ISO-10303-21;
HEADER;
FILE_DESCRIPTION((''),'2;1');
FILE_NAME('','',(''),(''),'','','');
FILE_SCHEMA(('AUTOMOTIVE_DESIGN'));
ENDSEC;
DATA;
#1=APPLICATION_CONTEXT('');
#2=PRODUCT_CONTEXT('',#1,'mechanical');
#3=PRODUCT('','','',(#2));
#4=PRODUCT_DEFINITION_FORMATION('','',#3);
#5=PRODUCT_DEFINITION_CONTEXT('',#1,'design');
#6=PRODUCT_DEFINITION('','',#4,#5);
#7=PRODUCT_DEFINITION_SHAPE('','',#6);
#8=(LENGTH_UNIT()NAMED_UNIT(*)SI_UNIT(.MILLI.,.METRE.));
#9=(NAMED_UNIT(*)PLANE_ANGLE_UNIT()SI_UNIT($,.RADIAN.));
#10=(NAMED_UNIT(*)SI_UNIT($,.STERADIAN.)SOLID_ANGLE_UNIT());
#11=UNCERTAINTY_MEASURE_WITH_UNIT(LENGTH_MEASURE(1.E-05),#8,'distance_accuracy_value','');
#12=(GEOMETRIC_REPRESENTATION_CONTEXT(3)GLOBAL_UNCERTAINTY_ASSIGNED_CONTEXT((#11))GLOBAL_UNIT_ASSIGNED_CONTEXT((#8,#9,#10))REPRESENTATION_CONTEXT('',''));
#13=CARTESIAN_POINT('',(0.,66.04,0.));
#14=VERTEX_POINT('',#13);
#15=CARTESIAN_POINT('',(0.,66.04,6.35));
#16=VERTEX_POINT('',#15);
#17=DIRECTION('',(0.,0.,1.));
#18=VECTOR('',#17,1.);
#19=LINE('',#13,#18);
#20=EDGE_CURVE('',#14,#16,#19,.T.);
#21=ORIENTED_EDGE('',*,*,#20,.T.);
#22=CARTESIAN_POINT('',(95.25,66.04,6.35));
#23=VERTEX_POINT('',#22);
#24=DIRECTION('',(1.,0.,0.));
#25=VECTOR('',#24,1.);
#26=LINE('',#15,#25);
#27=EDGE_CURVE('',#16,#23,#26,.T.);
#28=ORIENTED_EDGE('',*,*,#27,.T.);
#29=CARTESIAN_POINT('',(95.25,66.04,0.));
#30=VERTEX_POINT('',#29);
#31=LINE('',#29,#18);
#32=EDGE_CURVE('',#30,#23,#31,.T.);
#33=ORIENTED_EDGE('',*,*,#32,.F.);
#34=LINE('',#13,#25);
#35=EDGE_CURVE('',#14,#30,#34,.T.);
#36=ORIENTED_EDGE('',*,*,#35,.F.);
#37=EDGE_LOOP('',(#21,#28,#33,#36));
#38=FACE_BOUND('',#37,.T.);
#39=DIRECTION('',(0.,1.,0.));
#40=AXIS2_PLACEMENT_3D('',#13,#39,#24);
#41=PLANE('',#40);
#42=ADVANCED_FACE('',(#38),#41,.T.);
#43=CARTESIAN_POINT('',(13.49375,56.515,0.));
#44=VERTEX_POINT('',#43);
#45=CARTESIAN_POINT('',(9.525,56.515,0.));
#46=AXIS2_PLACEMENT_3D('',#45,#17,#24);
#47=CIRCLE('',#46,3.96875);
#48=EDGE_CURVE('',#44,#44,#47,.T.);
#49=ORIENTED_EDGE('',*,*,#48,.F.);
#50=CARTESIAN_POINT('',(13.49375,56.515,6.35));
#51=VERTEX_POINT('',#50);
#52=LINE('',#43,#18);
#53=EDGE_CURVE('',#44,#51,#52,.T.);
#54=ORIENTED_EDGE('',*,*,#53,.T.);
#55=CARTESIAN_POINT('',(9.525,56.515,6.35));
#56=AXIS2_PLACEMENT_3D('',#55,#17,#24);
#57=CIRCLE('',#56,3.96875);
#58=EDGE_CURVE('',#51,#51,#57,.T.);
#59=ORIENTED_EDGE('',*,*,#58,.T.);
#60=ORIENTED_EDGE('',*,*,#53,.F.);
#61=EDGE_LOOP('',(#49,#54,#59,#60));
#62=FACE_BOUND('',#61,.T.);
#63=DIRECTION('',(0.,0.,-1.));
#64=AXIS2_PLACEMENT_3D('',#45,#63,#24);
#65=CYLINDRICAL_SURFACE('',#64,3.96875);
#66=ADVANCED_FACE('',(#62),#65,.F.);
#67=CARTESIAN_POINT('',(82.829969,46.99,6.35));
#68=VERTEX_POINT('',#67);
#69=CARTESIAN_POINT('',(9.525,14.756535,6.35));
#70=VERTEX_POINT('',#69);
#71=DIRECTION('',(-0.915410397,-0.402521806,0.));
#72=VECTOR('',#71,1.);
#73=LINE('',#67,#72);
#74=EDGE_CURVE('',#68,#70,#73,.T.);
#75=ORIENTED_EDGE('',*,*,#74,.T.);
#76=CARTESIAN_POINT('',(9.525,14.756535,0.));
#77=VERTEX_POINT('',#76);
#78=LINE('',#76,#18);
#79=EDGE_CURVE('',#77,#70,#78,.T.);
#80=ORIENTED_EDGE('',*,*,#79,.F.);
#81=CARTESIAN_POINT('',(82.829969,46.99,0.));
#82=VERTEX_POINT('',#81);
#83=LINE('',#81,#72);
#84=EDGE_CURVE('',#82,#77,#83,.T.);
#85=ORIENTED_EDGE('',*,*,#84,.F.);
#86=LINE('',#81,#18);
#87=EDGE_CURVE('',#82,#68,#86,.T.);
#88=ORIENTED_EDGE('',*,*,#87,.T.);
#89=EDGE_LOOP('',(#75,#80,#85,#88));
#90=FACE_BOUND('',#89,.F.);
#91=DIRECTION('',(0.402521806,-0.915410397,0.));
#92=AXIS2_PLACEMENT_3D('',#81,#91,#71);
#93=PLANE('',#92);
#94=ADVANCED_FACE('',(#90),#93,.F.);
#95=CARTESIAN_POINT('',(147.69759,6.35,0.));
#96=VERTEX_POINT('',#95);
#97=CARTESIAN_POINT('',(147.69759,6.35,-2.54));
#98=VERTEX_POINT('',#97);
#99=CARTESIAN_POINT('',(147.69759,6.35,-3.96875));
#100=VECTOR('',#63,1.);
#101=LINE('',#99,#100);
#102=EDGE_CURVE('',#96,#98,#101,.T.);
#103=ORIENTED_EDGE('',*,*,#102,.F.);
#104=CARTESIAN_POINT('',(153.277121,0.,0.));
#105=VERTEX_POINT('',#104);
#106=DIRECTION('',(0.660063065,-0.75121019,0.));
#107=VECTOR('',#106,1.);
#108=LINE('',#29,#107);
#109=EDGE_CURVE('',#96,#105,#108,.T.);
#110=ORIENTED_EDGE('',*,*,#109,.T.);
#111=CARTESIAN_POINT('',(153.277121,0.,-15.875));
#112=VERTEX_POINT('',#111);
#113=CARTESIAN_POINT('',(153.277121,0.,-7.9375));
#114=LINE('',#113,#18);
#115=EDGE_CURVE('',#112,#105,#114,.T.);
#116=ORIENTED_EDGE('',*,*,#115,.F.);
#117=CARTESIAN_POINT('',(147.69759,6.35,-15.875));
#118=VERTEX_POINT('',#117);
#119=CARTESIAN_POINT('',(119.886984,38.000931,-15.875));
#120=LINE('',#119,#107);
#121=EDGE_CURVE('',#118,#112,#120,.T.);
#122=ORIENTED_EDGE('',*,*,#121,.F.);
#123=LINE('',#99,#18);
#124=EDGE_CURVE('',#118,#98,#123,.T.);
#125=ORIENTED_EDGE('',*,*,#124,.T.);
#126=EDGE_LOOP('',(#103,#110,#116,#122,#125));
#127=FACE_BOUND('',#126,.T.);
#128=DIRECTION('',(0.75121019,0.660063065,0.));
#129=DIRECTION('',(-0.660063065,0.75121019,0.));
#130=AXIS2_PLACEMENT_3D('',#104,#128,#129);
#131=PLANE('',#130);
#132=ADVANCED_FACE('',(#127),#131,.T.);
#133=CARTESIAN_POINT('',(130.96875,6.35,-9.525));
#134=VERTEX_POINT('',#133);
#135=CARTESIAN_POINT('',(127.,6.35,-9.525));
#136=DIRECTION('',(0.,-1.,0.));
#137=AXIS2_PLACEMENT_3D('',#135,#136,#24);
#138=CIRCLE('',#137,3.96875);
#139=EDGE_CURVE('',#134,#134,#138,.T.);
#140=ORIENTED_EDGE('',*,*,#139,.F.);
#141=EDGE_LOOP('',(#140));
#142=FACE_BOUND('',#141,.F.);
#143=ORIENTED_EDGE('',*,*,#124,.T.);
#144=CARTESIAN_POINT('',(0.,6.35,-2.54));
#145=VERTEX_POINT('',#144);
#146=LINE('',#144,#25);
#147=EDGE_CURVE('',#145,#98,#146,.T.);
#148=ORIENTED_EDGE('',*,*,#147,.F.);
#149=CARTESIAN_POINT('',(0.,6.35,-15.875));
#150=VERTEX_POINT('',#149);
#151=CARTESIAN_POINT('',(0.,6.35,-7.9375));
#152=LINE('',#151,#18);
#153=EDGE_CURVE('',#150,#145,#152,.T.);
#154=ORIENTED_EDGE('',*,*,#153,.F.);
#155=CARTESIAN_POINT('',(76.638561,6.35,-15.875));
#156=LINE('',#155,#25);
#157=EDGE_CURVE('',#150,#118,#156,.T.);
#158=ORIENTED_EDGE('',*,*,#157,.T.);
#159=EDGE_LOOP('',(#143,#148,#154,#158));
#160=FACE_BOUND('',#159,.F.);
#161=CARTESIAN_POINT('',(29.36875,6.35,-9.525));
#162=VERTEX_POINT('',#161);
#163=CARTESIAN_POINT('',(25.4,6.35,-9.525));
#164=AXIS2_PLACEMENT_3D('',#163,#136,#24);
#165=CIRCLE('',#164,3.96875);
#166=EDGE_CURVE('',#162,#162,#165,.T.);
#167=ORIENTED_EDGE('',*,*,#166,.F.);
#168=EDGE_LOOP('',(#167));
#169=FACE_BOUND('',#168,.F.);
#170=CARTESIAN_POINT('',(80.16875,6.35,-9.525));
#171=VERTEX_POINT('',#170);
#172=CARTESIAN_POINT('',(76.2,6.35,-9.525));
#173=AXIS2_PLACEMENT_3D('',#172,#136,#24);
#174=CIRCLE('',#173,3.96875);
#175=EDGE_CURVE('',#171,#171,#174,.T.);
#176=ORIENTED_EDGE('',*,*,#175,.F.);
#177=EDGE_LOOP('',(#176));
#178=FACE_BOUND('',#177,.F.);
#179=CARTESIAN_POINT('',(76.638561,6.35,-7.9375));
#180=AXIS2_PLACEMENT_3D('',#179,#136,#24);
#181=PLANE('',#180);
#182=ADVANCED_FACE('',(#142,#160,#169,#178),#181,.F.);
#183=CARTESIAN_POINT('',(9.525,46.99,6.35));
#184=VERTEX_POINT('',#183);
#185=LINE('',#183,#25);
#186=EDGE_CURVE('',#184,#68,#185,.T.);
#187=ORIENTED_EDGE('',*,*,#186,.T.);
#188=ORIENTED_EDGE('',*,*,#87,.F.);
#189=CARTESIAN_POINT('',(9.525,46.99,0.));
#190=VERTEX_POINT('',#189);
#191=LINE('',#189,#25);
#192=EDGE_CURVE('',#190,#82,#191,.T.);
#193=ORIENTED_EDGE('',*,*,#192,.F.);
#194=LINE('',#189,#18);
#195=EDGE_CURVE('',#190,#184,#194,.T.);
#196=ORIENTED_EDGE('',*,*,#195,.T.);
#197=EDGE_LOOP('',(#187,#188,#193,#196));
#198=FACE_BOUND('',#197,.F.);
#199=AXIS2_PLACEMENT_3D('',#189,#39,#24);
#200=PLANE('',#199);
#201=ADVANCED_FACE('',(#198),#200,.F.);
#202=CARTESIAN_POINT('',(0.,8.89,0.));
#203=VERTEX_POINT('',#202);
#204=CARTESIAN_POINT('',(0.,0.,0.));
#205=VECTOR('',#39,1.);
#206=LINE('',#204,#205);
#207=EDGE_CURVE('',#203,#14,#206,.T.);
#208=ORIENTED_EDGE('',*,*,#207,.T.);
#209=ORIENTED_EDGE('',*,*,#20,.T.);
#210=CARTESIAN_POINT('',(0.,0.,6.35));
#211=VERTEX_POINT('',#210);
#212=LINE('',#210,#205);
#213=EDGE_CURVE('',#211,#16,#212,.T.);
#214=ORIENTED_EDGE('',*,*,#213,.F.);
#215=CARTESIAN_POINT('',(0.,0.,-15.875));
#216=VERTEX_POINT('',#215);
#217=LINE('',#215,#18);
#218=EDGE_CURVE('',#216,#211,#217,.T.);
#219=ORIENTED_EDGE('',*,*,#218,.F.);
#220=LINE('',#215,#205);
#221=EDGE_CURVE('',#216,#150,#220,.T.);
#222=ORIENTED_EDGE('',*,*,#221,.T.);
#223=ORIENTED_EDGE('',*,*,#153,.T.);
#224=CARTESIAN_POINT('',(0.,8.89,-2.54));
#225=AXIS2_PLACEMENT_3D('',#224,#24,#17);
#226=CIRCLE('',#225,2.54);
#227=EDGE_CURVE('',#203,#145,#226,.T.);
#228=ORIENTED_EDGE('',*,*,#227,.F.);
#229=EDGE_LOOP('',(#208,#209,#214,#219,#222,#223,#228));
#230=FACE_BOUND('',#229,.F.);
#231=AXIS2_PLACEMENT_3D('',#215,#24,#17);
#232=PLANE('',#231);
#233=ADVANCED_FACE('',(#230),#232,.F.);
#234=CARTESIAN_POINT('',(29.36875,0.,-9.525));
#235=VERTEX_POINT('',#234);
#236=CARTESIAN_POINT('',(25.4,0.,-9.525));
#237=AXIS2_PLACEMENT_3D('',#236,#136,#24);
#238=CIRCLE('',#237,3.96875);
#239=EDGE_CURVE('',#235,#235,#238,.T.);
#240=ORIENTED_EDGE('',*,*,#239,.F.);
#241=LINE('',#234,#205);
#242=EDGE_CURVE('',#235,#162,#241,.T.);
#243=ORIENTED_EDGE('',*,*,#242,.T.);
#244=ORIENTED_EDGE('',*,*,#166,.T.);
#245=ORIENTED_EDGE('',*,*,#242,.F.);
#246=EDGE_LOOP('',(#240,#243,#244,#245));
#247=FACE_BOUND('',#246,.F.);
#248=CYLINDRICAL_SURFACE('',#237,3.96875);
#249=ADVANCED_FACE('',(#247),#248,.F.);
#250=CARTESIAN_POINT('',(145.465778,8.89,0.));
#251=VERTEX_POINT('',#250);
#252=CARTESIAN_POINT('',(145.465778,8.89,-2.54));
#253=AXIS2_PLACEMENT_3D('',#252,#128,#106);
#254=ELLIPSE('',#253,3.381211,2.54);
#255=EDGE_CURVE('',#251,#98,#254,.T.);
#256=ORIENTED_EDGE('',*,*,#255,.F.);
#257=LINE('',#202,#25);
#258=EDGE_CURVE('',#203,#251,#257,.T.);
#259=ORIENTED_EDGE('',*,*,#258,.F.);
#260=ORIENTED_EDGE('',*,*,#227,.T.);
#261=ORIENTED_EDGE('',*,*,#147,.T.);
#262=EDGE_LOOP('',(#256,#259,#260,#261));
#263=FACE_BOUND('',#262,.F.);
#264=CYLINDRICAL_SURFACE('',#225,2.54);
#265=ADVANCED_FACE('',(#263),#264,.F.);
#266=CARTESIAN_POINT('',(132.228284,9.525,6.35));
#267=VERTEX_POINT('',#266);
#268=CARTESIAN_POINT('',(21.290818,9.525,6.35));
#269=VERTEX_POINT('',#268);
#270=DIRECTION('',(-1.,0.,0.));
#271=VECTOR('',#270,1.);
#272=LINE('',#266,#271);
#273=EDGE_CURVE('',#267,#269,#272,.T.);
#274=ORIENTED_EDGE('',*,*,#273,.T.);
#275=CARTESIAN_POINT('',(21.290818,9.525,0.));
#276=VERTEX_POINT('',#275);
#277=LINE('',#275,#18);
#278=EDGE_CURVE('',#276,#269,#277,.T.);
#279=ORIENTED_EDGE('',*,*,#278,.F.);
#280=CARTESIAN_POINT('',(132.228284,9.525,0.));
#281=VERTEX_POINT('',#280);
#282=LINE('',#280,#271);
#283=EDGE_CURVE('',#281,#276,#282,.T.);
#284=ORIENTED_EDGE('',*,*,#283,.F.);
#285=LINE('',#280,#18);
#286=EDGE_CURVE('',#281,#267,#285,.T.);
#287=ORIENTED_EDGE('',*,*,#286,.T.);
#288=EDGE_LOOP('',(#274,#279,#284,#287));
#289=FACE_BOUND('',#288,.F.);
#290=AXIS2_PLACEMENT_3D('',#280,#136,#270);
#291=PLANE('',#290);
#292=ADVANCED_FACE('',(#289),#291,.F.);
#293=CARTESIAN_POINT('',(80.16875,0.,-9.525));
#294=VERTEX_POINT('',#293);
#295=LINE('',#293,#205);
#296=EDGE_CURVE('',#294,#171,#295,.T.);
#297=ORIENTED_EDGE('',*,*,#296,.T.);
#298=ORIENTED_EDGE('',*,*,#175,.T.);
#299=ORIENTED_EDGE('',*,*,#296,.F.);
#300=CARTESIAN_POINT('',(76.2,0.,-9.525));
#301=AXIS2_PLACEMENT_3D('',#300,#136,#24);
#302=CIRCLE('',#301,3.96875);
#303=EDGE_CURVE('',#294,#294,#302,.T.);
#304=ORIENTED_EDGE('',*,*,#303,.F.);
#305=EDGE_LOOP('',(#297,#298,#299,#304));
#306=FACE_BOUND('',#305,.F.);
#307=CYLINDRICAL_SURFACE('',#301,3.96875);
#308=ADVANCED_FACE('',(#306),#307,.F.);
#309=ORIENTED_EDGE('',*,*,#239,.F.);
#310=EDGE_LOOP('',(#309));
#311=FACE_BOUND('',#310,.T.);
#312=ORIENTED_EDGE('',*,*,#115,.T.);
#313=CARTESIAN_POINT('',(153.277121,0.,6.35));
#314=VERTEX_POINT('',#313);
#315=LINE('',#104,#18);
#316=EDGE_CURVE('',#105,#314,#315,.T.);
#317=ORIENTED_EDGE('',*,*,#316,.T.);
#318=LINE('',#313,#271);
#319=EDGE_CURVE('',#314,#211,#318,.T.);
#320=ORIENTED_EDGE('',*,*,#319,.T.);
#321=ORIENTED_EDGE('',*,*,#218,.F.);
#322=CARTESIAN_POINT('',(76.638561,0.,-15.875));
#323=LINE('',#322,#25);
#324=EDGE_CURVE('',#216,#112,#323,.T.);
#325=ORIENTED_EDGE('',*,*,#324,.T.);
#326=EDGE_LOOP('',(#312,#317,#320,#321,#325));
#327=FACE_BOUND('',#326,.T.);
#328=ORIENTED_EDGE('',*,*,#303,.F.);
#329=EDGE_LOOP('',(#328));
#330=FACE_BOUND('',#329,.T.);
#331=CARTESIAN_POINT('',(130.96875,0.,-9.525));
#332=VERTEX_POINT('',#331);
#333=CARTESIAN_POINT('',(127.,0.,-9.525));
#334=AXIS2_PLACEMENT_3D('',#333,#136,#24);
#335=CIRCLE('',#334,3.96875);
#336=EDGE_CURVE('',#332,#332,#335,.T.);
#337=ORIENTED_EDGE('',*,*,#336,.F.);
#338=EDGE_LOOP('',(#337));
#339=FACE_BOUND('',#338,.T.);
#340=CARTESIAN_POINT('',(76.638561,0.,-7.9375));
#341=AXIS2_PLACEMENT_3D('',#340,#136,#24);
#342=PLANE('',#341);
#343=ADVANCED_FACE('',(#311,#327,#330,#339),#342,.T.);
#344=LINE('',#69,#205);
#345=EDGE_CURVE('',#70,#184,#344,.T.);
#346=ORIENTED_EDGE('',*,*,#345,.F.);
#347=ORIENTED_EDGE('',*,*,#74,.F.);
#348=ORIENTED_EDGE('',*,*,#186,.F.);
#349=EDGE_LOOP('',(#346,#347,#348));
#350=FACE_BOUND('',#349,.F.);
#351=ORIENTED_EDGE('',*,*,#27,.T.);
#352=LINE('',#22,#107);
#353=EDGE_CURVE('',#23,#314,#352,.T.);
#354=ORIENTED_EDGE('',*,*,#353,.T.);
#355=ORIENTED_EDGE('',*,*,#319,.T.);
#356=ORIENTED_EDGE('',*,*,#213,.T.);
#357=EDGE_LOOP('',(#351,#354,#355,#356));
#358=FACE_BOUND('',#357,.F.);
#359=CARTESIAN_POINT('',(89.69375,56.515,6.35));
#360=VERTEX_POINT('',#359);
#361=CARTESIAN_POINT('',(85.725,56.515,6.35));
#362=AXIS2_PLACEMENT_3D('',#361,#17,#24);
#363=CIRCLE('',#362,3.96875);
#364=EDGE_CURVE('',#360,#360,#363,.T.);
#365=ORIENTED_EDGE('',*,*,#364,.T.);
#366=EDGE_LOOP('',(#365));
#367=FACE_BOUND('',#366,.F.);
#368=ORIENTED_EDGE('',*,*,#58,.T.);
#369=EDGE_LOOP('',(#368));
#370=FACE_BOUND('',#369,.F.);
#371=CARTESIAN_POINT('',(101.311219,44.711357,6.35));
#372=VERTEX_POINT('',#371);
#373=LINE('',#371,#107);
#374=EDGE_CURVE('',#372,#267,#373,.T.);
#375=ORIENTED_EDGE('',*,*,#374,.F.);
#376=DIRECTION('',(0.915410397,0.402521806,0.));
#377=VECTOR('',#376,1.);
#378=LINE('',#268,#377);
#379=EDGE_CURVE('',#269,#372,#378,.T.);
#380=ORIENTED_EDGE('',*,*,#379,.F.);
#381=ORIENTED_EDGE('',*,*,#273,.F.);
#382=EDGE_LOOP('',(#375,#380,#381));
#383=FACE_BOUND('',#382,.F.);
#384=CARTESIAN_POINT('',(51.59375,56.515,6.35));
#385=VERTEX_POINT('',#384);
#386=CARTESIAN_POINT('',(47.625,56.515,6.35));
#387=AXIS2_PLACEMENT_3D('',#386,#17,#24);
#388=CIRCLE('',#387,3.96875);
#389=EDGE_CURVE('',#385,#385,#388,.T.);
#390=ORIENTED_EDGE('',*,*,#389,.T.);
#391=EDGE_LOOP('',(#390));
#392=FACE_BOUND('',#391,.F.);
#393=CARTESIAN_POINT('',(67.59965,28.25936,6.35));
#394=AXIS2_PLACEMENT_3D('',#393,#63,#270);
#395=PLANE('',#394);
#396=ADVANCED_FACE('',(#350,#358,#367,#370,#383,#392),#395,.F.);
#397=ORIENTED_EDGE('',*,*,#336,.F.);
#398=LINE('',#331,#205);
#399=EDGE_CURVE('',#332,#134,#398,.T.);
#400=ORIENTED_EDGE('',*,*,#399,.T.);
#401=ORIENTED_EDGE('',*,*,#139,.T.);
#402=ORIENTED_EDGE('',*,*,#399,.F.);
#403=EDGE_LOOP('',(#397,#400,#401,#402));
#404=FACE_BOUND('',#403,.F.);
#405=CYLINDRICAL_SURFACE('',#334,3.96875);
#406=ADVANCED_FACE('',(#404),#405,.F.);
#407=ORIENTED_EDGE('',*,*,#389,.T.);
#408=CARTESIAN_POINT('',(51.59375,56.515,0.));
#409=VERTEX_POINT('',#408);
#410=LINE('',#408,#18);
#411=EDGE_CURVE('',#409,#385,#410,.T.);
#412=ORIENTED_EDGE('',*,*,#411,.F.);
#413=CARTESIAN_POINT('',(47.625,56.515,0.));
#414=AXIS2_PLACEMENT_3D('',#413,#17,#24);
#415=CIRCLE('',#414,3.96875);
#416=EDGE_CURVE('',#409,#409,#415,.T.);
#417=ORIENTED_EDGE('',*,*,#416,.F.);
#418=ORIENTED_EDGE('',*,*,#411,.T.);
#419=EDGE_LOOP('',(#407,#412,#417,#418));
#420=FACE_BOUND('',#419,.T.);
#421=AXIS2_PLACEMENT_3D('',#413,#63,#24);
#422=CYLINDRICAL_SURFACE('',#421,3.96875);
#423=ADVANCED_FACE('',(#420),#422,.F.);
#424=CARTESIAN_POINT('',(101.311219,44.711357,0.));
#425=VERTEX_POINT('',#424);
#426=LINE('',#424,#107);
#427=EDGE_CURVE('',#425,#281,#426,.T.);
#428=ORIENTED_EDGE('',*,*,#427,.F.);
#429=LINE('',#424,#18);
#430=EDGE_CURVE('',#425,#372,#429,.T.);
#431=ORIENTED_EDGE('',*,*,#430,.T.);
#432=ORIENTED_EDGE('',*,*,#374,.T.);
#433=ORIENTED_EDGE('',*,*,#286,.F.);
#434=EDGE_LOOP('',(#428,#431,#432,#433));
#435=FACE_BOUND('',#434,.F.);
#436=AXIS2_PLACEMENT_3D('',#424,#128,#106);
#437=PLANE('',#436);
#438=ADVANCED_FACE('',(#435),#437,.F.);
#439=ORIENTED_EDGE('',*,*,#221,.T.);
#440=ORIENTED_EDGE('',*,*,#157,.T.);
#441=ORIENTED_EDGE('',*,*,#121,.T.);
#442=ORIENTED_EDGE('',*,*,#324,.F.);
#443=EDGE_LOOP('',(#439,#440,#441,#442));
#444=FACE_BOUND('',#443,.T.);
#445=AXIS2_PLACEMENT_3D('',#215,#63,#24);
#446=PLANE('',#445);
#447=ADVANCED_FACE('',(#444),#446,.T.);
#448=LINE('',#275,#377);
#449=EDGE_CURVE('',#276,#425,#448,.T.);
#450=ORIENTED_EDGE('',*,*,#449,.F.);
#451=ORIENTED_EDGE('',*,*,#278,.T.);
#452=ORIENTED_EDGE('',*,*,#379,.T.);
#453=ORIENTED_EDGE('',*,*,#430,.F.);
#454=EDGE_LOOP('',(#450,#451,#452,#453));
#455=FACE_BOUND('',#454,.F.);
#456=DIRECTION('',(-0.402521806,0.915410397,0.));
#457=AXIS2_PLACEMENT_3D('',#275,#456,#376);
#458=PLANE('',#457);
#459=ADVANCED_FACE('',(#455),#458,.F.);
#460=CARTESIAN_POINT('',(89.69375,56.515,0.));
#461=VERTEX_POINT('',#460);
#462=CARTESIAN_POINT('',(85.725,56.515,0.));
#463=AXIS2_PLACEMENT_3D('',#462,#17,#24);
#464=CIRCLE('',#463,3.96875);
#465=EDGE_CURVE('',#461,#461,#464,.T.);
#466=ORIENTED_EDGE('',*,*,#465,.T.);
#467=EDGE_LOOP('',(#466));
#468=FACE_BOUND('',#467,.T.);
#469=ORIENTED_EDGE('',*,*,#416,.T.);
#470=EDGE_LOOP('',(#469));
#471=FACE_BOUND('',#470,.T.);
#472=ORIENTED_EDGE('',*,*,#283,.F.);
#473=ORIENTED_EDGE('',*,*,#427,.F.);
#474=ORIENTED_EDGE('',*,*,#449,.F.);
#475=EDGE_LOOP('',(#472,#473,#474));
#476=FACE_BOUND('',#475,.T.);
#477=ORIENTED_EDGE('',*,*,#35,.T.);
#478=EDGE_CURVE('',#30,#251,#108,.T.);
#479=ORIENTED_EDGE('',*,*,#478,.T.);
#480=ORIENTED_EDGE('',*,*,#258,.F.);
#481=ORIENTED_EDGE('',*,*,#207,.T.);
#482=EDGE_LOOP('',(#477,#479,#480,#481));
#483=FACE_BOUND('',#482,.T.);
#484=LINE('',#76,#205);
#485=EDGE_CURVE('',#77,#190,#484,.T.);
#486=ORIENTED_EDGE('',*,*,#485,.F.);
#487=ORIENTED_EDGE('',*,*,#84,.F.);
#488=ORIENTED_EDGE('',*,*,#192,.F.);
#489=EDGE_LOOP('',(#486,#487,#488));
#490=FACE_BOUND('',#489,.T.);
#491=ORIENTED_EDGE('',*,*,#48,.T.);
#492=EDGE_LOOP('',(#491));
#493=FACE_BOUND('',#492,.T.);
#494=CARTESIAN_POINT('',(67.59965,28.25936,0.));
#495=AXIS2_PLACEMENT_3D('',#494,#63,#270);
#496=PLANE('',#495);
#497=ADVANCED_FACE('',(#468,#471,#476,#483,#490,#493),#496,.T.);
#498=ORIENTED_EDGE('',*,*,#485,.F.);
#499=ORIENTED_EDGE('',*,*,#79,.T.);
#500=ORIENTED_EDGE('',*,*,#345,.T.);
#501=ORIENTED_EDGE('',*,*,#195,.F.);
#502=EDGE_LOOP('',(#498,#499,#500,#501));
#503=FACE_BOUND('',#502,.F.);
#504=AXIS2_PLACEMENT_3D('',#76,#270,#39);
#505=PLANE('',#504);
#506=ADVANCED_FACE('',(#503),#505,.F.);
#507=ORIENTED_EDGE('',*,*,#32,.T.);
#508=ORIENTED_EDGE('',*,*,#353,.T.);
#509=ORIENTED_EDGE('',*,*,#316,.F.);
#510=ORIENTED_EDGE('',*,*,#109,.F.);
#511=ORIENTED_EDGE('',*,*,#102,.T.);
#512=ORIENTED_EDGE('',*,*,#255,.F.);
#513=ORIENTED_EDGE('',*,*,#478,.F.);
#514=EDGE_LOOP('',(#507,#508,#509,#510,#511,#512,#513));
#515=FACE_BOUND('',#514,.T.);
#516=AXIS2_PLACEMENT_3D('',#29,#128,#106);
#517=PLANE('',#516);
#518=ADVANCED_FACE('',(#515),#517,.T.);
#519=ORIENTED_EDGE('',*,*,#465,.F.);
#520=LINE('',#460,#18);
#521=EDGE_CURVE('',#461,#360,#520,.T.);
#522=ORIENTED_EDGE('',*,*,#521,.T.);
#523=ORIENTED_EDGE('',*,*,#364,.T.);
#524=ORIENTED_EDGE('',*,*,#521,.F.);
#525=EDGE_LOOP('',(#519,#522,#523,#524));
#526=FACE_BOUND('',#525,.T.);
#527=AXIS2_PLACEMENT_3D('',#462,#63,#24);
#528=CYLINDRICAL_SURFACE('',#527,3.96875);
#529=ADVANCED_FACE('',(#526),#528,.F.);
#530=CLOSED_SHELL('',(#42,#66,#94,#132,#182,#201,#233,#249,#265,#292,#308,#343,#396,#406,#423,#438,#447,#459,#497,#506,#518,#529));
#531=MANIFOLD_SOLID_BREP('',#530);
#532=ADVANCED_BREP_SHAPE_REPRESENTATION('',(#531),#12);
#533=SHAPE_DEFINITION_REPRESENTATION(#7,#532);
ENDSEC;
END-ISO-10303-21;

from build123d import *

# Parameters (mm, degrees)
SKETCH1_R           = 3.96875
BOSS_EXTRUDE1_DEPTH = 6.35
SKETCH2_W           = 153.277121284
SKETCH2_H           = 15.875
SKETCH2_R           = 3.96875
BOSS_EXTRUDE2_DEPTH = 6.35
FILLET1_R           = 2.54
CUT_EXTRUDE1_DEPTH  = 16.875


with BuildPart() as part:
    # Sketch1 → Boss-Extrude1 (new body)
    with BuildSketch(Plane.XY):
        Polygon((0, 0), (0, 66.04), (95.25, 66.04), (153.277121284, 0), align=None)
        with Locations((9.525, 56.515)):
            Circle(SKETCH1_R, mode=Mode.SUBTRACT)
        with Locations((47.625, 56.515)):
            Circle(SKETCH1_R, mode=Mode.SUBTRACT)
        with Locations((85.725, 56.515)):
            Circle(SKETCH1_R, mode=Mode.SUBTRACT)
        Polygon((9.525, 14.756535386), (9.525, 46.99), (82.829969346, 46.99), align=None, mode=Mode.SUBTRACT)
        Polygon((21.290817509, 9.525), (101.311219354, 44.71135659), (132.228284487, 9.525), align=None, mode=Mode.SUBTRACT)
    extrude(amount=BOSS_EXTRUDE1_DEPTH)

    # Sketch2 → Boss-Extrude2 (add)
    with BuildSketch(Plane.XZ):
        with Locations((76.638560642, -7.9375)):
            Rectangle(SKETCH2_W, SKETCH2_H)
        with Locations((25.4, -9.525)):
            Circle(SKETCH2_R, mode=Mode.SUBTRACT)
        with Locations((76.2, -9.525)):
            Circle(SKETCH2_R, mode=Mode.SUBTRACT)
        with Locations((127, -9.525)):
            Circle(SKETCH2_R, mode=Mode.SUBTRACT)
    extrude(amount=-BOSS_EXTRUDE2_DEPTH)

    # Fillet1
    fillet1_edges = [part.edges().sort_by_distance(p)[0] for p in [
        (73.848795196, 6.35, 0),
    ]]
    fillet(fillet1_edges, radius=FILLET1_R)

    # Sketch3 → Cut-Extrude1 (cut, through all)
    with BuildSketch(Plane(origin=(0, 0, 0), x_dir=(-1, 0, 0), z_dir=(0, 0, -1))):
        Polygon((-153.277121284, 0), (-143.888240191, 10.685377693), (-163.562021825, 13.552350256), (-165.283233358, 4.245452075), align=None)
    extrude(amount=CUT_EXTRUDE1_DEPTH, mode=Mode.SUBTRACT)


solid = part.part
